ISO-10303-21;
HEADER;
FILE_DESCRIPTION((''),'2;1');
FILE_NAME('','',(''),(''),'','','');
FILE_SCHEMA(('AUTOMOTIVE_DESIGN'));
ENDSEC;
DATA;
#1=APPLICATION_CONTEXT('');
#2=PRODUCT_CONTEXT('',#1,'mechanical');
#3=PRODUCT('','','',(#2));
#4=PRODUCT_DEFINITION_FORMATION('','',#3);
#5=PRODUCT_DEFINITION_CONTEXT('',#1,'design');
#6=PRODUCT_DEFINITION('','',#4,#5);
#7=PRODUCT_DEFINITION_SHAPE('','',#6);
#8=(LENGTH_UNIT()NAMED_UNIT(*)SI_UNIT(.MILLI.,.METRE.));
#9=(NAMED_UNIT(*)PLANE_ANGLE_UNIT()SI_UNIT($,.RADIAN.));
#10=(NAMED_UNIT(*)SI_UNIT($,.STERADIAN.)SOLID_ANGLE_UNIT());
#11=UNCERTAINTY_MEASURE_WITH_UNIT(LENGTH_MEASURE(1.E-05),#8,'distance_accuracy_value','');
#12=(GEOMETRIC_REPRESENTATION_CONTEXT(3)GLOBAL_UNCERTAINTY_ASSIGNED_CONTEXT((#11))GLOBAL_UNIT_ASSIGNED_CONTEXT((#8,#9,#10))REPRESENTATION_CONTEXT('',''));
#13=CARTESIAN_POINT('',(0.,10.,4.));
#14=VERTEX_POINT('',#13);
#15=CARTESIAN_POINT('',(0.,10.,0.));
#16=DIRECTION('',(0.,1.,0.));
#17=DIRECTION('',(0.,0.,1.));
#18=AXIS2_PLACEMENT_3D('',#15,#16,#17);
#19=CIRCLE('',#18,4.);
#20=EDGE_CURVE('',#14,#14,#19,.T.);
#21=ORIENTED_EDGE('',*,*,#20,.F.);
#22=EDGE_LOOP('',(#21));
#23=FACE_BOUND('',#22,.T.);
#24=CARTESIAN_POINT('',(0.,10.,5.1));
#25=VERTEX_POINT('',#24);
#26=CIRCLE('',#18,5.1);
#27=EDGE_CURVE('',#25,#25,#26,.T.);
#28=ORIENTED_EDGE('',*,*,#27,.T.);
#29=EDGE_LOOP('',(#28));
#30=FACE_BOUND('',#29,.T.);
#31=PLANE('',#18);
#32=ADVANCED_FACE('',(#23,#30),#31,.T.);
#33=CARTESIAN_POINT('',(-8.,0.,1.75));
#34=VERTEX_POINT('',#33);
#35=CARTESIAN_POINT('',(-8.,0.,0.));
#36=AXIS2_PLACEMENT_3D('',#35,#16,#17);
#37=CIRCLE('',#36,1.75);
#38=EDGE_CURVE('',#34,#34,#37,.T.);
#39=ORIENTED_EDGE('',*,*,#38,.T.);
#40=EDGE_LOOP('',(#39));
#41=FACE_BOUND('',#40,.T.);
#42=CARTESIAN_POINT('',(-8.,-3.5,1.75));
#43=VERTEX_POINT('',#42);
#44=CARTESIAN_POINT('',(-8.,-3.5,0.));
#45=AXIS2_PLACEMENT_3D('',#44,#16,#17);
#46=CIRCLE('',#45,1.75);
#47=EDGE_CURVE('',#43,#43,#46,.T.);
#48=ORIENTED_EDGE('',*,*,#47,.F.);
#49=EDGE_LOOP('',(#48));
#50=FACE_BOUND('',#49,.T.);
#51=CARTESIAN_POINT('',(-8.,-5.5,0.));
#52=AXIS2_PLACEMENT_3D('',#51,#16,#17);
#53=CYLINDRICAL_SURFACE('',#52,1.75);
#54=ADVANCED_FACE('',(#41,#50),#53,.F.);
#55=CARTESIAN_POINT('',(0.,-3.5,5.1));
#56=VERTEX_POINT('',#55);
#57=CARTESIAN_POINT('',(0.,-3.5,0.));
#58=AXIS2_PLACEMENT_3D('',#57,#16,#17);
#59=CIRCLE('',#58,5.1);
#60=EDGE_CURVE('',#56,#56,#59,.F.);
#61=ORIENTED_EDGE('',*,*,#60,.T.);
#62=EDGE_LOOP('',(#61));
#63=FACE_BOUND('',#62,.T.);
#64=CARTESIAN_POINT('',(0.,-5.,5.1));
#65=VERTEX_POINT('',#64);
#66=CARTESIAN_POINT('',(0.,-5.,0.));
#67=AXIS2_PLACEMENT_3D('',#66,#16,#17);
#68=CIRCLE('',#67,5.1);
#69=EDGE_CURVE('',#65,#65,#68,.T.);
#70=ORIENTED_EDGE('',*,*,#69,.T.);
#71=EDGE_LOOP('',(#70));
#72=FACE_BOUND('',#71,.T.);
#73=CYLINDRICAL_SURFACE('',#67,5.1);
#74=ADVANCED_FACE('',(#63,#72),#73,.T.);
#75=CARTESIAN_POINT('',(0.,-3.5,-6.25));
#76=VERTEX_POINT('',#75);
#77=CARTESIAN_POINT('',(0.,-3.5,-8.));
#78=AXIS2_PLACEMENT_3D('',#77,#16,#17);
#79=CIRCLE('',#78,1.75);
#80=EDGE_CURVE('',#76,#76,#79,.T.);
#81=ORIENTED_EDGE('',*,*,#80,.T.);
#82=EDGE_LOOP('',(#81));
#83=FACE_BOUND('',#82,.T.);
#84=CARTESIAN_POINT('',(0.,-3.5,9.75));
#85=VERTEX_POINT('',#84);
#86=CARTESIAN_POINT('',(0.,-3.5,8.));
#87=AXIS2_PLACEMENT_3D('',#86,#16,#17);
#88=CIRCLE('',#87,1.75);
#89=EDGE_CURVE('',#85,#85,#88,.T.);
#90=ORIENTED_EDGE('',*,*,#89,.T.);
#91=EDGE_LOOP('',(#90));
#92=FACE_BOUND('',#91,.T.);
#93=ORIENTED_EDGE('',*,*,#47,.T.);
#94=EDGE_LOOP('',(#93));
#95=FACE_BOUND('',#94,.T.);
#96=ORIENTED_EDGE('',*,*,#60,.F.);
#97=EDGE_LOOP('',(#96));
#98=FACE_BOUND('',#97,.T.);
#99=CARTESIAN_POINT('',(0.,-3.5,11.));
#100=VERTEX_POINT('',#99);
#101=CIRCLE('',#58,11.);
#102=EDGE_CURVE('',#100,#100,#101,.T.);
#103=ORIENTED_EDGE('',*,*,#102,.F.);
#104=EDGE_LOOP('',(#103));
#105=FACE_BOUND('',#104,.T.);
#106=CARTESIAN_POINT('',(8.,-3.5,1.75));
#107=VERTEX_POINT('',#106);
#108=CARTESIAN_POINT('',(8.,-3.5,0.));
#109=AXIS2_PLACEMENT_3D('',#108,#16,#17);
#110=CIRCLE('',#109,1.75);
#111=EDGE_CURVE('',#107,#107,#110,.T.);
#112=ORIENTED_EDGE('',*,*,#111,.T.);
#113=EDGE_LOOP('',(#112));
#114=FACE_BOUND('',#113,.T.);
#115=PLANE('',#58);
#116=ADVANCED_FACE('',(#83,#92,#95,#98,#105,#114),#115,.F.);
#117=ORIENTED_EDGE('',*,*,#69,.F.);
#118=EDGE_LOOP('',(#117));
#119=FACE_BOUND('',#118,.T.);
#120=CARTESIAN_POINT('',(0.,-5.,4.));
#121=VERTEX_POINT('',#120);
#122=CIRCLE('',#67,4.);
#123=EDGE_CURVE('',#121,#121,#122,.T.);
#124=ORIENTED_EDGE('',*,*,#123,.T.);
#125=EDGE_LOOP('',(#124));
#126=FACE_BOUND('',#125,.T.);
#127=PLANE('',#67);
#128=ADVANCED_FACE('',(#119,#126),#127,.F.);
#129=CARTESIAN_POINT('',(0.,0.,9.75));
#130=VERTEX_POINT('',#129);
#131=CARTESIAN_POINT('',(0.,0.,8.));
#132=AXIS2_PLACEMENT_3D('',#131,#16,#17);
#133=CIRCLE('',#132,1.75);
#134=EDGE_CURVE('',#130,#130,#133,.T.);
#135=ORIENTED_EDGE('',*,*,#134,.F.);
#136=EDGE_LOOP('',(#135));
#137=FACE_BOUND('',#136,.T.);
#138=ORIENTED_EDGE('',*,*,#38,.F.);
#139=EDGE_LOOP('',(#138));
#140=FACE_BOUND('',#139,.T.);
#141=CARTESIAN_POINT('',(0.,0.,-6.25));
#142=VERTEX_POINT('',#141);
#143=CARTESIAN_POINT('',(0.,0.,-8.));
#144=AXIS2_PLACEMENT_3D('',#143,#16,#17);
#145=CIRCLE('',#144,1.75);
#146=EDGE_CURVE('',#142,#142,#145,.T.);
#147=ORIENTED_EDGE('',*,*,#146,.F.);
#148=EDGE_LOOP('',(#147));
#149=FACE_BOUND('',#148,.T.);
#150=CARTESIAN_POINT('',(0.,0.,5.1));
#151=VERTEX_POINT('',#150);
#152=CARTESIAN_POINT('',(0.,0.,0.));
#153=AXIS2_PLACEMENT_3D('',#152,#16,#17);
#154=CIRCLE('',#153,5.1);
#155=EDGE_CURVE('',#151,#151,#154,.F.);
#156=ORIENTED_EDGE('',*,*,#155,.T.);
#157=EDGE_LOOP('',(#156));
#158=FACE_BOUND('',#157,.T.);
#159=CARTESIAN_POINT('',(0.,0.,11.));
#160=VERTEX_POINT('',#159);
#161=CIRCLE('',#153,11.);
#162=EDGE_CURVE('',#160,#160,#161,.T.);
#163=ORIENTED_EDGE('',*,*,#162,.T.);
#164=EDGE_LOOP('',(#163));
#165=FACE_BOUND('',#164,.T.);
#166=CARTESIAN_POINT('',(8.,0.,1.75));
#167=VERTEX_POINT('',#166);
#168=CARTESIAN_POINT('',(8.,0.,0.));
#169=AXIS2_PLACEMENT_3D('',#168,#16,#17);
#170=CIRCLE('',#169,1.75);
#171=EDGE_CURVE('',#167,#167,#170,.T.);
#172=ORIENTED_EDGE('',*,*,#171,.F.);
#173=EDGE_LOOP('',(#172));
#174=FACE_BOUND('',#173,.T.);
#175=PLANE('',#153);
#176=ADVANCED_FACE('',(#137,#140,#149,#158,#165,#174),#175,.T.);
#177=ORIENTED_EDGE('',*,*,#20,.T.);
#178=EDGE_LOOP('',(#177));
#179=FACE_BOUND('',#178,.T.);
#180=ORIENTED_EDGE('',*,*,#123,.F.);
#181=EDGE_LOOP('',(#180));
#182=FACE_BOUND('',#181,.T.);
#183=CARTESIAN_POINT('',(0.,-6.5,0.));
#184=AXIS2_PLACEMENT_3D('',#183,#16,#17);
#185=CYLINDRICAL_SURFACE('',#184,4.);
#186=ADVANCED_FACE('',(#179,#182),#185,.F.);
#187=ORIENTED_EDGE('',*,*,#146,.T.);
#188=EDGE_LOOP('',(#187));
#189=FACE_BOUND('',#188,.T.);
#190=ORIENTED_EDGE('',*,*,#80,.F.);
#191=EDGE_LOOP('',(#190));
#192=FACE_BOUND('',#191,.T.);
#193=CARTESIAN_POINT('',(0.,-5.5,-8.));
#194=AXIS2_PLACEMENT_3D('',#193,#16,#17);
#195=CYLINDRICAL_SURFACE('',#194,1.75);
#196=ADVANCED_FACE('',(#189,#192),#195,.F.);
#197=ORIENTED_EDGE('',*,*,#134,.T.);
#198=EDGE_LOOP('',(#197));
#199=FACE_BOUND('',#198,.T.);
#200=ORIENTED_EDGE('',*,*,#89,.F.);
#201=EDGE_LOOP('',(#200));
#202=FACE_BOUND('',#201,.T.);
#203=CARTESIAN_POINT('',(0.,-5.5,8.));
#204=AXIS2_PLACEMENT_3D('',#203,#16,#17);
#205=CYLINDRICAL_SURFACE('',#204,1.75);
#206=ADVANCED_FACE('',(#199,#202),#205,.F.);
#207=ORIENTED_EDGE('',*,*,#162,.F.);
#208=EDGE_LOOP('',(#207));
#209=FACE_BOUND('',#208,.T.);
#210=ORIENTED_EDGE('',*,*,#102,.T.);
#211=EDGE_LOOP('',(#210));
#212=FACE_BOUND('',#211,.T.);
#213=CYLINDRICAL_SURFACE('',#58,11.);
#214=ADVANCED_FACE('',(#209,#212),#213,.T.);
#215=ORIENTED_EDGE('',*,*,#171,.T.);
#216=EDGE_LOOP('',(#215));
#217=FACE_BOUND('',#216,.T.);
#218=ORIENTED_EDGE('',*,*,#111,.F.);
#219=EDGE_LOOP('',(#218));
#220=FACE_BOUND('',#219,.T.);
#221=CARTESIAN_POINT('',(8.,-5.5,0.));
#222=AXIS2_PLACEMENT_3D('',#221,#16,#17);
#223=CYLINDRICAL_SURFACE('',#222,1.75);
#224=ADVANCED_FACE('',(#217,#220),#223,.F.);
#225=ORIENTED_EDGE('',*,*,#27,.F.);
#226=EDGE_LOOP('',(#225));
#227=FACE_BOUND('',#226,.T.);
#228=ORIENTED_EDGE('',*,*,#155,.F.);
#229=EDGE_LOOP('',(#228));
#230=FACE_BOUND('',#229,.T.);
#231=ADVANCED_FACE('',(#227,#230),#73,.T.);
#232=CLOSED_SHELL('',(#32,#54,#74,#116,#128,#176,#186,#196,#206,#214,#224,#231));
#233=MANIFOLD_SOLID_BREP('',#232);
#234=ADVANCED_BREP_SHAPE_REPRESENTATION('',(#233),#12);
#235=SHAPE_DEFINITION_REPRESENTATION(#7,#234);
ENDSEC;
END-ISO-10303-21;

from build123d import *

# Parameters (mm, degrees)
SKETCH_2_R           = 5.1
EXTRUDE_2_DEPTH      = 10
EXTRUDE_2_DEPTH_BACK = 5
SKETCH_1_R           = 11
EXTRUDE_3_DEPTH      = 3.5
SKETCH_3_R           = 1.75
CUT_EXTRUDE_1_DEPTH  = 5.5
SKETCH_4_R           = 4
CUT_EXTRUDE_2_DEPTH  = 16.5


with BuildPart() as part:
    # 草图2 → 凸台-拉伸2 (new body, two sides)
    with BuildSketch(Plane(origin=(0, 0, 0), x_dir=(1, 0, 0), z_dir=(0, 1, 0))) as extrude_2_sk:
        Circle(SKETCH_2_R)
    extrude(amount=EXTRUDE_2_DEPTH)
    extrude(extrude_2_sk.sketch, amount=-EXTRUDE_2_DEPTH_BACK)

    # 草图1 → 凸台-拉伸3 (add)
    with BuildSketch(Plane(origin=(0, 0, 0), x_dir=(1, 0, 0), z_dir=(0, 1, 0))):
        Circle(SKETCH_1_R)
    extrude(amount=-EXTRUDE_3_DEPTH)

    # 草图3 → 切除-拉伸1 (cut)
    with BuildSketch(Plane(origin=(0, 0, 0), x_dir=(1, 0, 0), z_dir=(0, 1, 0))):
        with Locations((-8, 0)):
            Circle(SKETCH_3_R)
        with Locations((0, 8)):
            Circle(SKETCH_3_R)
        with Locations((8, 0)):
            Circle(SKETCH_3_R)
        with Locations((0, -8)):
            Circle(SKETCH_3_R)
    extrude(amount=-CUT_EXTRUDE_1_DEPTH, mode=Mode.SUBTRACT)

    # 草图4 → 切除-拉伸2 (cut)
    with BuildSketch(Plane(origin=(0, 10, 0), x_dir=(1, 0, 0), z_dir=(0, 1, 0))):
        Circle(SKETCH_4_R)
    extrude(amount=-CUT_EXTRUDE_2_DEPTH, mode=Mode.SUBTRACT)


solid = part.part
